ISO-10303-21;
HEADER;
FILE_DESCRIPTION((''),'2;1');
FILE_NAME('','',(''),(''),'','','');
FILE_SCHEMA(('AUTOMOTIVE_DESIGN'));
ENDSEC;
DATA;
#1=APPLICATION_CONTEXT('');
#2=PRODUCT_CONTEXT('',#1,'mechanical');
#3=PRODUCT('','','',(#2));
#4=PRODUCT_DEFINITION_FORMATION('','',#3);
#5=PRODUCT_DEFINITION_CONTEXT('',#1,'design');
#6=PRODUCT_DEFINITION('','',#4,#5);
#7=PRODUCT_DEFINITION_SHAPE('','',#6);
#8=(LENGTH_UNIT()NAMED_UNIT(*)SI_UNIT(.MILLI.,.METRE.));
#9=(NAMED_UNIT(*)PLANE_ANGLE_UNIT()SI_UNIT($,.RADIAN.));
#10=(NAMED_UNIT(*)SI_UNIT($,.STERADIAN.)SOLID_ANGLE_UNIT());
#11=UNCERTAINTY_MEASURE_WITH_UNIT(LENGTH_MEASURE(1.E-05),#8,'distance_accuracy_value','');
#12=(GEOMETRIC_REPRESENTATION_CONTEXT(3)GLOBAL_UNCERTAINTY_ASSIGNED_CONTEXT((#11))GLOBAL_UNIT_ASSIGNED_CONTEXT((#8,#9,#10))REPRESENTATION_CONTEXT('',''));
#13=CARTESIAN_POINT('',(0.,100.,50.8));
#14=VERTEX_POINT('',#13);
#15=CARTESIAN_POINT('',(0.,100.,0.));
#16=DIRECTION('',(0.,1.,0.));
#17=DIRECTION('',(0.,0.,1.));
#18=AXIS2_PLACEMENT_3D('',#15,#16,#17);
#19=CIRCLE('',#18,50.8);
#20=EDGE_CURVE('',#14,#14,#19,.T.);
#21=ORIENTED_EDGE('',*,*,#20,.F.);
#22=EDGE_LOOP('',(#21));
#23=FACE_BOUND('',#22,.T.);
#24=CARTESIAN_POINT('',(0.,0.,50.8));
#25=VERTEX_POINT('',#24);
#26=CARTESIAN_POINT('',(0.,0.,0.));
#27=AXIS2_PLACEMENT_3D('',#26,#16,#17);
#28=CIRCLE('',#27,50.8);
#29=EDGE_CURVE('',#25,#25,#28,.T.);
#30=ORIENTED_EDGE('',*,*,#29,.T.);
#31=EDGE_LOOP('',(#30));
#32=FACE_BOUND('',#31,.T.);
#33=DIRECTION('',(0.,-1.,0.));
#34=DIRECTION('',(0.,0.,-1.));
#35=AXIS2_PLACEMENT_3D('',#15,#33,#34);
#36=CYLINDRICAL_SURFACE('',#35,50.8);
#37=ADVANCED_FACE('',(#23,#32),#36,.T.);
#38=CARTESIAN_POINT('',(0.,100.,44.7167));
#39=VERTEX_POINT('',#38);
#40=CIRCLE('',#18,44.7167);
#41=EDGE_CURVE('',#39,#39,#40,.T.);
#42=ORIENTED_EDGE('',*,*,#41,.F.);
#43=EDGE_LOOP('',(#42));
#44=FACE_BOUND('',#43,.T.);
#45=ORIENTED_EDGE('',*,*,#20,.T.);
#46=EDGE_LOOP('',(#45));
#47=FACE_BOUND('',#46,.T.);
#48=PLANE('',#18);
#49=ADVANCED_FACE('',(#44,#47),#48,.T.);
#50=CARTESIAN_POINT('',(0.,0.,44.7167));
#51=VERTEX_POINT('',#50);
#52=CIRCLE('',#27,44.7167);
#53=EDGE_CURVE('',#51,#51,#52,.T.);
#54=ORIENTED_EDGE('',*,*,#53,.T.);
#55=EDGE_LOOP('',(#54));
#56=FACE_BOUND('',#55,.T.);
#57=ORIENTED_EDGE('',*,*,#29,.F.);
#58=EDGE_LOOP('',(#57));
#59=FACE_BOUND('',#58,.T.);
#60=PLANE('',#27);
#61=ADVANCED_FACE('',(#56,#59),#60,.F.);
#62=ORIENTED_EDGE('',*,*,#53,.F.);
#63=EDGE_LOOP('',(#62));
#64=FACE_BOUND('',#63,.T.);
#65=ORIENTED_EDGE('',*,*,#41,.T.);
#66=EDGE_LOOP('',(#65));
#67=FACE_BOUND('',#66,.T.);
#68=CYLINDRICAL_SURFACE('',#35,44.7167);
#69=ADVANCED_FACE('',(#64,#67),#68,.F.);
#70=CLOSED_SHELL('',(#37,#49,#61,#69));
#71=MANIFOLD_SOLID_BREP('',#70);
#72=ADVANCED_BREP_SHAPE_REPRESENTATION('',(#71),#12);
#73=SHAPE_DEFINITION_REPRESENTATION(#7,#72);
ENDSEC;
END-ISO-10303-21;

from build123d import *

# Parameters (mm, degrees)
SKETCH1_R           = 50.8
SKETCH1_R_2         = 44.7167
BOSS_EXTRUDE1_DEPTH = 100


with BuildPart() as part:
    # Sketch1 → Boss-Extrude1 (new body)
    with BuildSketch(Plane(origin=(0, 0, 0), x_dir=(1, 0, 0), z_dir=(0, 1, 0))):
        with Locations(Location((0, 0, 0), (0, 0, 270))):
            Circle(SKETCH1_R)
        with Locations(Location((0, 0, 0), (0, 0, 270))):
            Circle(SKETCH1_R_2, mode=Mode.SUBTRACT)
    extrude(amount=BOSS_EXTRUDE1_DEPTH)


solid = part.part
